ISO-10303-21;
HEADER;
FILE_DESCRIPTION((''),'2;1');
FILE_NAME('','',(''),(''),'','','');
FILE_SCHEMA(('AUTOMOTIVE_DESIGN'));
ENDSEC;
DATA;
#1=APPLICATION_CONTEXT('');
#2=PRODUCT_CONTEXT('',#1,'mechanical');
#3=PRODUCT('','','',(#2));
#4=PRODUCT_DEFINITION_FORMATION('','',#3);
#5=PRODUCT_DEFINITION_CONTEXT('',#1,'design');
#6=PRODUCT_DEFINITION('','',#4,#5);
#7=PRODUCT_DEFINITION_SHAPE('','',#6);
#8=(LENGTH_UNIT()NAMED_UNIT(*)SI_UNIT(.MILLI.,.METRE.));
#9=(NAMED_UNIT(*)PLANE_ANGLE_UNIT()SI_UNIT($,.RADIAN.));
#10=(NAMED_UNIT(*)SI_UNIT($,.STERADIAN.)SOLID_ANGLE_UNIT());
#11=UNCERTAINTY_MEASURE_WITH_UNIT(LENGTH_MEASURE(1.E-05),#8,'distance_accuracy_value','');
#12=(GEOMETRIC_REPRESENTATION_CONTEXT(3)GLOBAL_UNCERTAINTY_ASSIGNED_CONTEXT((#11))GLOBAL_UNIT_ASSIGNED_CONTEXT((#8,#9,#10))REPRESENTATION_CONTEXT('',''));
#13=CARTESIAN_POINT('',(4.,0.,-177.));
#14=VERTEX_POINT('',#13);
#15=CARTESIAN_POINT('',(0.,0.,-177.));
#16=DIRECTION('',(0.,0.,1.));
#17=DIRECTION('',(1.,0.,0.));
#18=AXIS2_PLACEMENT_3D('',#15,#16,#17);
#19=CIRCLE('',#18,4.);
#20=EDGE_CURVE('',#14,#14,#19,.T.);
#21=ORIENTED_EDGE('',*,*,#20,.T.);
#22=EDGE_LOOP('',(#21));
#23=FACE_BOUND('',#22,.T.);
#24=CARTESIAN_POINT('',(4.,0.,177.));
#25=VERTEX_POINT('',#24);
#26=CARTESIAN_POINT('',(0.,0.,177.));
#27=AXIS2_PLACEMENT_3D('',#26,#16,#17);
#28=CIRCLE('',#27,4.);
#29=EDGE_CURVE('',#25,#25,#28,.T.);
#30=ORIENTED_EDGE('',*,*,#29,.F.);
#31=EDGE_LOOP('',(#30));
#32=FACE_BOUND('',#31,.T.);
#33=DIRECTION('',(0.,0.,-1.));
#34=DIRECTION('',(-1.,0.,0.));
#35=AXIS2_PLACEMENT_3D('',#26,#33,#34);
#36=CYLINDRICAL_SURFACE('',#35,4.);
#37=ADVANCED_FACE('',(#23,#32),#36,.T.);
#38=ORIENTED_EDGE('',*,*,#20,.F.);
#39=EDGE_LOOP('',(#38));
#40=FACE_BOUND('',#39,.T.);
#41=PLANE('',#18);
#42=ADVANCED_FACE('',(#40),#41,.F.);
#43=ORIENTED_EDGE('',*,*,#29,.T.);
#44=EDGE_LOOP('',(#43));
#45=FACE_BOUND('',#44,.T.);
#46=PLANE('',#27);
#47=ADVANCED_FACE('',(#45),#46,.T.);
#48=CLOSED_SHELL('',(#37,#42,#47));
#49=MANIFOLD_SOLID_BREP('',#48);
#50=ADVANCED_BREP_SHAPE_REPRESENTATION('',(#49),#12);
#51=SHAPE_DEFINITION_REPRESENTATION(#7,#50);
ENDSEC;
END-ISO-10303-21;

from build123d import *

# Parameters (mm, degrees)
CROQUIS1_R              = 4
SALIENTE_EXTRUIR1_DEPTH = 177


with BuildPart() as part:
    # Croquis1 → Saliente-Extruir1 (new, symmetric)
    with BuildSketch(Plane.XY):
        Circle(CROQUIS1_R)
    extrude(amount=SALIENTE_EXTRUIR1_DEPTH, both=True)


solid = part.part
